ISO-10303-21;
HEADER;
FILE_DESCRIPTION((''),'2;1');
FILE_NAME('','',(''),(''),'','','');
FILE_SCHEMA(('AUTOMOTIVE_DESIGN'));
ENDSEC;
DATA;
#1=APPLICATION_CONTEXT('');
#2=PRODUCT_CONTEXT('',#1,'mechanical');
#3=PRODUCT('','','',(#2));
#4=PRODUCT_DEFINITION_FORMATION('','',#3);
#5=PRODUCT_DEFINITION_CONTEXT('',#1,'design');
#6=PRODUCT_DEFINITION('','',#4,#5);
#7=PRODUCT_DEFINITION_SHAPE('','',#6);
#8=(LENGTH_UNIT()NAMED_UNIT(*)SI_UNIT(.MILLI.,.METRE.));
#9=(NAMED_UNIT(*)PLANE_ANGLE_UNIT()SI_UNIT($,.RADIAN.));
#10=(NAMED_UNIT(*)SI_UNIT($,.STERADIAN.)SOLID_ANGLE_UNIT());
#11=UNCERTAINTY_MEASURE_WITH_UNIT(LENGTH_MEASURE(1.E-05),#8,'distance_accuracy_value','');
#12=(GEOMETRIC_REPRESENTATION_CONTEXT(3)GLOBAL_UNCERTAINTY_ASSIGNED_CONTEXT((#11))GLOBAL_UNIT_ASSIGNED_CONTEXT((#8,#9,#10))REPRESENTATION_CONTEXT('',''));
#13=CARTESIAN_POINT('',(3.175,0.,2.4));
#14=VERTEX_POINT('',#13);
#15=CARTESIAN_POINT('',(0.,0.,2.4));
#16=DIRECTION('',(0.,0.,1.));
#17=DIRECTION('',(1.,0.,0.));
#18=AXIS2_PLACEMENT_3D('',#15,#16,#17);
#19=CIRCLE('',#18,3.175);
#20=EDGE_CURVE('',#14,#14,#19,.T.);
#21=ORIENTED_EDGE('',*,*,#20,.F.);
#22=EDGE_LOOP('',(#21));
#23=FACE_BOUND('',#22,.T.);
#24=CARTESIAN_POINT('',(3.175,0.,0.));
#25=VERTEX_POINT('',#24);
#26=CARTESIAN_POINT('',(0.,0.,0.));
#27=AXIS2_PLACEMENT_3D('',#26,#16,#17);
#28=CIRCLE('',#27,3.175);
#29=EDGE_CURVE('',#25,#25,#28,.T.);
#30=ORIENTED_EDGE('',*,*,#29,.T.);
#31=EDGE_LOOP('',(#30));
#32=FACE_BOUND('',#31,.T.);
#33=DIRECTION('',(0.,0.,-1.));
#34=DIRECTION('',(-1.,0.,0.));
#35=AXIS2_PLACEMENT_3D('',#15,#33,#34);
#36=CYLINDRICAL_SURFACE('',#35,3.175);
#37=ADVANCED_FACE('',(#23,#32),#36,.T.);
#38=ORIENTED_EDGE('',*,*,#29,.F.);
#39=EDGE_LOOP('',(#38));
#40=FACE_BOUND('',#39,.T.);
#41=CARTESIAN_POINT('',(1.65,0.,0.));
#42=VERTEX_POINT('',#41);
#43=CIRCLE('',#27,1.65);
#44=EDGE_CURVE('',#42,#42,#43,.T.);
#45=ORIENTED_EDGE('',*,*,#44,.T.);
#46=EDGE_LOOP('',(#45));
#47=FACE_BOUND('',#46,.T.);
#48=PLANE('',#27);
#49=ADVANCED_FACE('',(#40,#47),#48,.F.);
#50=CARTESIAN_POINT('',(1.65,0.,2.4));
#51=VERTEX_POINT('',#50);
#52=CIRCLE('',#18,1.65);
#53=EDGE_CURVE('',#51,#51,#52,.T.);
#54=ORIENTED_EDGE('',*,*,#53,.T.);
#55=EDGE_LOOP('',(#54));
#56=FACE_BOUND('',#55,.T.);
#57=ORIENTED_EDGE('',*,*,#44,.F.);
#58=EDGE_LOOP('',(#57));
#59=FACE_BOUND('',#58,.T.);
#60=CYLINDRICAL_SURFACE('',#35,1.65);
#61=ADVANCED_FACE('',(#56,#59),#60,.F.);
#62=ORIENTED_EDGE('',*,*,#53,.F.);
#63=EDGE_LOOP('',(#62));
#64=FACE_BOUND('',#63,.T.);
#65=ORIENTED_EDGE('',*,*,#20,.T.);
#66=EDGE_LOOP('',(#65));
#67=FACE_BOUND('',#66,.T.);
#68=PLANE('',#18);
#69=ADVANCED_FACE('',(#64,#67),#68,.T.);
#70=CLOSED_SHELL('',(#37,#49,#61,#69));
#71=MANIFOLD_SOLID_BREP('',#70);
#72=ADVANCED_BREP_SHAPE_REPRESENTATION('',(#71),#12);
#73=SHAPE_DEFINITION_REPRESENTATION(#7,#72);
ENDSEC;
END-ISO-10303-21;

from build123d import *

# Parameters (mm, degrees)
SKETCH_1_R            = 3.175
EXTRUDE_246_DEPTH     = 2.4
SKETCH_2_R            = 1.65
CUT_EXTRUDE_315_DEPTH = 2.4


with BuildPart() as part:
    # 草图1 → Extrude 246 (new body)
    with BuildSketch(Plane.XY):
        Circle(SKETCH_1_R)
    extrude(amount=EXTRUDE_246_DEPTH)

    # 草图2 → Cut-Extrude 315 (cut)
    with BuildSketch(Plane.XY):
        Circle(SKETCH_2_R)
    extrude(amount=CUT_EXTRUDE_315_DEPTH, mode=Mode.SUBTRACT)


solid = part.part
